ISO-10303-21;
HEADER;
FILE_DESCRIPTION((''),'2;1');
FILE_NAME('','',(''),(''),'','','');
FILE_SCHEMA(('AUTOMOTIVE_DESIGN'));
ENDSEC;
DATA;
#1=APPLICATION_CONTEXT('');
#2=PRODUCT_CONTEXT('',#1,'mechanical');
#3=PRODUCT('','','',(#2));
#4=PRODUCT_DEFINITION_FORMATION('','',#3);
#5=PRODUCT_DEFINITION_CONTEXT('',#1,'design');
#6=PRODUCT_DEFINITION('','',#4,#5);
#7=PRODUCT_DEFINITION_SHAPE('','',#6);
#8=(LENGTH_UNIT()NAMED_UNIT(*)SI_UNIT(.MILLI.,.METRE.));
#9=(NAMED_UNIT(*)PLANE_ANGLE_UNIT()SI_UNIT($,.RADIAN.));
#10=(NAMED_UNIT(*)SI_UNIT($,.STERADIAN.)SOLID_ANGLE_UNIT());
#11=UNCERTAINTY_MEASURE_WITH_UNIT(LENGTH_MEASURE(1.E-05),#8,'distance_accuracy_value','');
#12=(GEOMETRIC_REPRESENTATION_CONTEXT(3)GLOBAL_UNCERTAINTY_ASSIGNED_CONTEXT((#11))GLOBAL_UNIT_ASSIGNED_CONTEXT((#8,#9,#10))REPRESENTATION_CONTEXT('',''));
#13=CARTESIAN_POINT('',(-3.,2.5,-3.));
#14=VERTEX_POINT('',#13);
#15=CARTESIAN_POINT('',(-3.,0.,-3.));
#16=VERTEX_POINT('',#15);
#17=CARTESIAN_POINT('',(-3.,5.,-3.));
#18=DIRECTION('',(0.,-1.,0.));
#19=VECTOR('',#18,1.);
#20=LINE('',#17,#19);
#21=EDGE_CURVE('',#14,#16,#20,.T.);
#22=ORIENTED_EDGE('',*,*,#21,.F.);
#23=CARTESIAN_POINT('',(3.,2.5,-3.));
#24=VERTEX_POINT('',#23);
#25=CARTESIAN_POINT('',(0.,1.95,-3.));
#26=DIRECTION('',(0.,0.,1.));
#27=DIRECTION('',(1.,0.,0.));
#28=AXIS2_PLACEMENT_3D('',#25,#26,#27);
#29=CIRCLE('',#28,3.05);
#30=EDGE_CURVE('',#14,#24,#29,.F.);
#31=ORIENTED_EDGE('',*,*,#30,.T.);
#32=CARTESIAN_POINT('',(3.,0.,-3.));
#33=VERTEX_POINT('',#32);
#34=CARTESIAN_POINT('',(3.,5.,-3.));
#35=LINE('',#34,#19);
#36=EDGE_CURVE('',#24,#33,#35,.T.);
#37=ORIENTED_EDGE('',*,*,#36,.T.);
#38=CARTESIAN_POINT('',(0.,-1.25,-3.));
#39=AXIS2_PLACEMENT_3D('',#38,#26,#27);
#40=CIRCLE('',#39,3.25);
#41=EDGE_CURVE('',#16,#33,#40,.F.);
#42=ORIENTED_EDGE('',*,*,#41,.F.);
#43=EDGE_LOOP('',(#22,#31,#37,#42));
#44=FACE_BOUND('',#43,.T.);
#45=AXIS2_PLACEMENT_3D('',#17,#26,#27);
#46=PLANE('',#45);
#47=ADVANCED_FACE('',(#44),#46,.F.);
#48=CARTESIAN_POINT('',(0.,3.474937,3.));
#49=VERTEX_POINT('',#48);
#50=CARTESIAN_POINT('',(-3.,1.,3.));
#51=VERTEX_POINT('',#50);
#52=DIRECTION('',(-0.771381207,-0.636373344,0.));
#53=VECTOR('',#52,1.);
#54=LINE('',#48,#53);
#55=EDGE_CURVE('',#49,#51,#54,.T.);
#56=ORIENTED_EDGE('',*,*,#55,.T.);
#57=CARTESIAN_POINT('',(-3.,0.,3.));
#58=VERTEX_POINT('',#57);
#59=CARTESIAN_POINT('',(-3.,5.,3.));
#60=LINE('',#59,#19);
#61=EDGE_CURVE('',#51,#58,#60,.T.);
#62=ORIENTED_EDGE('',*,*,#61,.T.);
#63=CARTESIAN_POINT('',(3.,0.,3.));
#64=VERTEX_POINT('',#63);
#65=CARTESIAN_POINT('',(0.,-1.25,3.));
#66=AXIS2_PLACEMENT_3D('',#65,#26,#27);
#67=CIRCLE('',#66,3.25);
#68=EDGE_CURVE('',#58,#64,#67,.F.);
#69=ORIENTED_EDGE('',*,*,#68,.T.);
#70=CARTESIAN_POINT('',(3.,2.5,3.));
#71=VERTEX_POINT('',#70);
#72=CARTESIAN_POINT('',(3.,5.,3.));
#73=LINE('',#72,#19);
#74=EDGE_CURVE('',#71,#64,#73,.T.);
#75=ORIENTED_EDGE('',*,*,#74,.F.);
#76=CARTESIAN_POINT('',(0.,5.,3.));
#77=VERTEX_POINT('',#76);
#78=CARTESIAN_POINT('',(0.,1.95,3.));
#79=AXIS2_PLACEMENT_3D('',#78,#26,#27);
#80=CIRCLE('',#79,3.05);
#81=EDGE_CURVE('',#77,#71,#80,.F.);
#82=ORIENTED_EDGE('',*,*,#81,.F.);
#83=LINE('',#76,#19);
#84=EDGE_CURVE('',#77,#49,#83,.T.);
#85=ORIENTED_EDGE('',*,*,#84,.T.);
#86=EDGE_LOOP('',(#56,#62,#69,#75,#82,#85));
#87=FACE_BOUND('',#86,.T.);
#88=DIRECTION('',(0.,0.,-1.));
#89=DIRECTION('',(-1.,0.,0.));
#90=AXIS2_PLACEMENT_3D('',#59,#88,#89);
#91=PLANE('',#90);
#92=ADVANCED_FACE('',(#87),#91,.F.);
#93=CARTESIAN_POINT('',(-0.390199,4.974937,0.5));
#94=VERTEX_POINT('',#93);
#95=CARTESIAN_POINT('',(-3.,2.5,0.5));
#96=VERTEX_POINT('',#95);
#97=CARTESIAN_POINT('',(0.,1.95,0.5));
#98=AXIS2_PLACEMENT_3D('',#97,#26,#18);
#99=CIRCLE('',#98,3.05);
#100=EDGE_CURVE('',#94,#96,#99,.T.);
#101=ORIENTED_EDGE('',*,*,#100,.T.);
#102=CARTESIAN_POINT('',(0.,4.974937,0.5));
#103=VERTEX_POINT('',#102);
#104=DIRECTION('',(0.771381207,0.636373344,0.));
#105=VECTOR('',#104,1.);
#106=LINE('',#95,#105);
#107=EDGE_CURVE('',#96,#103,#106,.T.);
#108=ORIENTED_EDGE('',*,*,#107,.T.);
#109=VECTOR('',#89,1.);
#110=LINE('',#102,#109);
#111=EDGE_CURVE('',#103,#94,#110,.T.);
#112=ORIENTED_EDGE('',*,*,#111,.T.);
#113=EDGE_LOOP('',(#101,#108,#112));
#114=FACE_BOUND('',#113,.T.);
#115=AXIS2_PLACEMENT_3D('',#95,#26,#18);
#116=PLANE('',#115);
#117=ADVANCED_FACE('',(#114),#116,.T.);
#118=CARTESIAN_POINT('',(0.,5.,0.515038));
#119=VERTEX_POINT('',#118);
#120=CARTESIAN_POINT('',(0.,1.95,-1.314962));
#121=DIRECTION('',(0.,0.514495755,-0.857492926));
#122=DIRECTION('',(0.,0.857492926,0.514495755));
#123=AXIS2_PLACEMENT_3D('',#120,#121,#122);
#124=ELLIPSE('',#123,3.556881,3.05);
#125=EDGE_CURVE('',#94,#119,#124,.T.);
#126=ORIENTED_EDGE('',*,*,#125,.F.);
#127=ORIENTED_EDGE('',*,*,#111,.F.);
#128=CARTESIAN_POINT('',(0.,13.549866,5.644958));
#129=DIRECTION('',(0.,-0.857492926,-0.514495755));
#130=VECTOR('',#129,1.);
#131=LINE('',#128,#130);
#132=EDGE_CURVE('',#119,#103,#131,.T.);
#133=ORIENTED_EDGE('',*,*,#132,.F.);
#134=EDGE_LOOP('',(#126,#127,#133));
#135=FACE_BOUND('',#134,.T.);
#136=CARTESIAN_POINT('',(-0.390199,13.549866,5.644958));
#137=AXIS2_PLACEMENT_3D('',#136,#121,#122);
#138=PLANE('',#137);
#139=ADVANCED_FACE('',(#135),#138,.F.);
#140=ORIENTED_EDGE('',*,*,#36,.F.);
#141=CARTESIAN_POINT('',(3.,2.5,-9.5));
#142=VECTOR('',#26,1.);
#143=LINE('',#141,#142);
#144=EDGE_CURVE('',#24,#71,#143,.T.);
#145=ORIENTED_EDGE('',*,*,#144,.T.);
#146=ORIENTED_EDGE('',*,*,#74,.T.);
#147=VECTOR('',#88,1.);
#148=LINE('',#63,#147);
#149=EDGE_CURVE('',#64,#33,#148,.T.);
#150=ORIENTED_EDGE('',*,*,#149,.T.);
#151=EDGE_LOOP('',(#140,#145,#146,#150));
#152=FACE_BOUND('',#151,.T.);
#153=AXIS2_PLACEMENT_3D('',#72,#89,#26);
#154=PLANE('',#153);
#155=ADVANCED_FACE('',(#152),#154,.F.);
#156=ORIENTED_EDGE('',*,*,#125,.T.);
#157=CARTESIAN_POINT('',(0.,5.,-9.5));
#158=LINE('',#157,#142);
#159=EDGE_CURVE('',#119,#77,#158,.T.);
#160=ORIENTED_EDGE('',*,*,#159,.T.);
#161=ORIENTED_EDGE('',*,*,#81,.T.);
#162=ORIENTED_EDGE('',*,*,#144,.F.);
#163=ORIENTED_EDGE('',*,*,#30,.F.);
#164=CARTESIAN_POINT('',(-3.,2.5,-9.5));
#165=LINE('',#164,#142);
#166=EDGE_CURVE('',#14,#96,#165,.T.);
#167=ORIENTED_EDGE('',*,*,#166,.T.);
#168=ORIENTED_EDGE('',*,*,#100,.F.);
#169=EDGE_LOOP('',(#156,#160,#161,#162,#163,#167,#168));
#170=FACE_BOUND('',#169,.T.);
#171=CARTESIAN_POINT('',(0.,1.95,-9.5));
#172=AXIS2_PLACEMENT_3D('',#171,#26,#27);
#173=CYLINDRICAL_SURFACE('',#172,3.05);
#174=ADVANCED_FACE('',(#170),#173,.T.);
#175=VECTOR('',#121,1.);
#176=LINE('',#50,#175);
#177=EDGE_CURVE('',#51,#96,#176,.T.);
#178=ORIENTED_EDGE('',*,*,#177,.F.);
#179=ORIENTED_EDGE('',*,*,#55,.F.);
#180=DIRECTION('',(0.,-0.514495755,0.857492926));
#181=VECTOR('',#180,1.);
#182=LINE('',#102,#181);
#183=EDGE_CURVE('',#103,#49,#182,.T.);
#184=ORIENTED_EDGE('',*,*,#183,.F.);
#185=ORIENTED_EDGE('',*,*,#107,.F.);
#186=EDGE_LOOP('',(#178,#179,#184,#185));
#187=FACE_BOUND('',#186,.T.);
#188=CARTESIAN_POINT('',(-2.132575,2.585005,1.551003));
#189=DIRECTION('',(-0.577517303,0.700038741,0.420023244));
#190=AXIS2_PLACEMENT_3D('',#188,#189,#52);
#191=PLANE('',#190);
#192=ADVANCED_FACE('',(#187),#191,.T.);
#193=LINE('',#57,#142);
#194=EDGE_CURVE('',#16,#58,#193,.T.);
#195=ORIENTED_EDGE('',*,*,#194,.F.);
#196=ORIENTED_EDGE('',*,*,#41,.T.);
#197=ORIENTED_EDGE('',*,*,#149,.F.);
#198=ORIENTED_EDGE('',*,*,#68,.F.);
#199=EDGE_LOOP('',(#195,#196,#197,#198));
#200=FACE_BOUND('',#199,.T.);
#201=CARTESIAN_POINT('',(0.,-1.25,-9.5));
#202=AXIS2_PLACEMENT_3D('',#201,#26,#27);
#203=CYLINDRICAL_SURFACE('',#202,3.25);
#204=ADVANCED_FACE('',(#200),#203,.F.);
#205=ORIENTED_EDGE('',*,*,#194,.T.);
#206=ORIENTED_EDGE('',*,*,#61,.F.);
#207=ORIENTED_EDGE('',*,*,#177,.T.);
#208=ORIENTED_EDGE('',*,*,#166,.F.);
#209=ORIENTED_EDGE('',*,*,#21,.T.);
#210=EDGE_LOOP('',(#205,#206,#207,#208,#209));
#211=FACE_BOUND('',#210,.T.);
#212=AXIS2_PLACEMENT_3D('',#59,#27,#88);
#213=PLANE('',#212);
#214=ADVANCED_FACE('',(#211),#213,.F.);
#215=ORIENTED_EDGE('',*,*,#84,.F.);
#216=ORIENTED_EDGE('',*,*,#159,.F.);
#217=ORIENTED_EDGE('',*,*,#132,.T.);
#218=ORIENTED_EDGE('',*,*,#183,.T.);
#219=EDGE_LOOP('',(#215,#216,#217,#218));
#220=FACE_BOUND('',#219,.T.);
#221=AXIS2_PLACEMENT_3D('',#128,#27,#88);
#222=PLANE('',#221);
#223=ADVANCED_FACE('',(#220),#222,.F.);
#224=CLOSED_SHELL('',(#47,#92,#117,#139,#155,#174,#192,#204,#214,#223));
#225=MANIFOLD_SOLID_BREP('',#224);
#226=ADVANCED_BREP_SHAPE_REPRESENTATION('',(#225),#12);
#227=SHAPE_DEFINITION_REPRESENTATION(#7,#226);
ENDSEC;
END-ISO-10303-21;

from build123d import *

# Parameters (mm, degrees)
SKETCH1_W           = 6
SKETCH1_H           = 6
BOSS_EXTRUDE1_DEPTH = 5
CUT_EXTRUDE4_DEPTH  = 12.5
CUT_EXTRUDE5_DEPTH  = 10
CUT_EXTRUDE6_DEPTH  = 10


with BuildPart() as part:
    # Sketch1 → Boss-Extrude1 (new body)
    with BuildSketch(Plane(origin=(0, 0, 0), x_dir=(1, 0, 0), z_dir=(0, 1, 0))):
        Rectangle(SKETCH1_W, SKETCH1_H)
    extrude(amount=BOSS_EXTRUDE1_DEPTH)

    # Sketch5 → Cut-Extrude4 (cut)
    with BuildSketch(Plane.XY.offset(3)):
        with BuildLine():
            Line((-3, 5), (-3, 2.5))
            ThreePointArc((-3, 2.5), (-1.952562419, 4.293074903), (0, 5))
            Line((0, 5), (-3, 5))
        make_face()
        with BuildLine():
            ThreePointArc((0, 5), (1.952562419, 4.293074903), (3, 2.5))
            Line((3, 2.5), (3, 5))
            Line((3, 5), (0, 5))
        make_face()
        with BuildLine():
            ThreePointArc((-3, 0), (0, 2), (3, 0))
            Line((3, 0), (-3, 0))
        make_face()
    extrude(amount=-CUT_EXTRUDE4_DEPTH, mode=Mode.SUBTRACT)

    # 3DSketch1 → Cut-Extrude5 (cut, along a direction that is not the sketch's normal)
    with BuildSketch(Plane(origin=(-3, 1, 3), x_dir=(0.5383808129093879, 0.7133433044036882, -0.4486506774244899), z_dir=(0.5775173034874745, -0.700038740615242, -0.4200232443691449))):
        Polygon((0, 0), (2.19164165, -1.922682209), (5.572263959, 0), (3.380622309, 1.922682209), align=None)
    extrude(amount=-CUT_EXTRUDE5_DEPTH, dir=(1, 0, 0), mode=Mode.SUBTRACT)

    # Sketch7 → Cut-Extrude6 (cut)
    with BuildSketch(Plane(origin=(0, 3.878630283, 2.32717817), x_dir=(1, 0, 0), z_dir=(0, -0.8574929257125444, -0.5144957554275263))):
        with BuildLine():
            Line((-0.390198698, -2.130837603), (0, -2.130837603))
            Line((0, -2.130837603), (0, 0.784638345))
            Line((0, 0.784638345), (-2.641413746, 0.784638345))
            add(Edge.make_bspline(
                [(-2.641413746, 0.784638345), (-1.886895872, -1.755586828), (-0.390198698, -2.130837603)],
                knots=[2.094371322, 2.094371322, 2.094371322, 3.013307074, 3.013307074, 3.013307074], degree=2, weights=[1, 0.896288606, 1]))
        make_face()
    extrude(amount=-CUT_EXTRUDE6_DEPTH, mode=Mode.SUBTRACT)


solid = part.part
